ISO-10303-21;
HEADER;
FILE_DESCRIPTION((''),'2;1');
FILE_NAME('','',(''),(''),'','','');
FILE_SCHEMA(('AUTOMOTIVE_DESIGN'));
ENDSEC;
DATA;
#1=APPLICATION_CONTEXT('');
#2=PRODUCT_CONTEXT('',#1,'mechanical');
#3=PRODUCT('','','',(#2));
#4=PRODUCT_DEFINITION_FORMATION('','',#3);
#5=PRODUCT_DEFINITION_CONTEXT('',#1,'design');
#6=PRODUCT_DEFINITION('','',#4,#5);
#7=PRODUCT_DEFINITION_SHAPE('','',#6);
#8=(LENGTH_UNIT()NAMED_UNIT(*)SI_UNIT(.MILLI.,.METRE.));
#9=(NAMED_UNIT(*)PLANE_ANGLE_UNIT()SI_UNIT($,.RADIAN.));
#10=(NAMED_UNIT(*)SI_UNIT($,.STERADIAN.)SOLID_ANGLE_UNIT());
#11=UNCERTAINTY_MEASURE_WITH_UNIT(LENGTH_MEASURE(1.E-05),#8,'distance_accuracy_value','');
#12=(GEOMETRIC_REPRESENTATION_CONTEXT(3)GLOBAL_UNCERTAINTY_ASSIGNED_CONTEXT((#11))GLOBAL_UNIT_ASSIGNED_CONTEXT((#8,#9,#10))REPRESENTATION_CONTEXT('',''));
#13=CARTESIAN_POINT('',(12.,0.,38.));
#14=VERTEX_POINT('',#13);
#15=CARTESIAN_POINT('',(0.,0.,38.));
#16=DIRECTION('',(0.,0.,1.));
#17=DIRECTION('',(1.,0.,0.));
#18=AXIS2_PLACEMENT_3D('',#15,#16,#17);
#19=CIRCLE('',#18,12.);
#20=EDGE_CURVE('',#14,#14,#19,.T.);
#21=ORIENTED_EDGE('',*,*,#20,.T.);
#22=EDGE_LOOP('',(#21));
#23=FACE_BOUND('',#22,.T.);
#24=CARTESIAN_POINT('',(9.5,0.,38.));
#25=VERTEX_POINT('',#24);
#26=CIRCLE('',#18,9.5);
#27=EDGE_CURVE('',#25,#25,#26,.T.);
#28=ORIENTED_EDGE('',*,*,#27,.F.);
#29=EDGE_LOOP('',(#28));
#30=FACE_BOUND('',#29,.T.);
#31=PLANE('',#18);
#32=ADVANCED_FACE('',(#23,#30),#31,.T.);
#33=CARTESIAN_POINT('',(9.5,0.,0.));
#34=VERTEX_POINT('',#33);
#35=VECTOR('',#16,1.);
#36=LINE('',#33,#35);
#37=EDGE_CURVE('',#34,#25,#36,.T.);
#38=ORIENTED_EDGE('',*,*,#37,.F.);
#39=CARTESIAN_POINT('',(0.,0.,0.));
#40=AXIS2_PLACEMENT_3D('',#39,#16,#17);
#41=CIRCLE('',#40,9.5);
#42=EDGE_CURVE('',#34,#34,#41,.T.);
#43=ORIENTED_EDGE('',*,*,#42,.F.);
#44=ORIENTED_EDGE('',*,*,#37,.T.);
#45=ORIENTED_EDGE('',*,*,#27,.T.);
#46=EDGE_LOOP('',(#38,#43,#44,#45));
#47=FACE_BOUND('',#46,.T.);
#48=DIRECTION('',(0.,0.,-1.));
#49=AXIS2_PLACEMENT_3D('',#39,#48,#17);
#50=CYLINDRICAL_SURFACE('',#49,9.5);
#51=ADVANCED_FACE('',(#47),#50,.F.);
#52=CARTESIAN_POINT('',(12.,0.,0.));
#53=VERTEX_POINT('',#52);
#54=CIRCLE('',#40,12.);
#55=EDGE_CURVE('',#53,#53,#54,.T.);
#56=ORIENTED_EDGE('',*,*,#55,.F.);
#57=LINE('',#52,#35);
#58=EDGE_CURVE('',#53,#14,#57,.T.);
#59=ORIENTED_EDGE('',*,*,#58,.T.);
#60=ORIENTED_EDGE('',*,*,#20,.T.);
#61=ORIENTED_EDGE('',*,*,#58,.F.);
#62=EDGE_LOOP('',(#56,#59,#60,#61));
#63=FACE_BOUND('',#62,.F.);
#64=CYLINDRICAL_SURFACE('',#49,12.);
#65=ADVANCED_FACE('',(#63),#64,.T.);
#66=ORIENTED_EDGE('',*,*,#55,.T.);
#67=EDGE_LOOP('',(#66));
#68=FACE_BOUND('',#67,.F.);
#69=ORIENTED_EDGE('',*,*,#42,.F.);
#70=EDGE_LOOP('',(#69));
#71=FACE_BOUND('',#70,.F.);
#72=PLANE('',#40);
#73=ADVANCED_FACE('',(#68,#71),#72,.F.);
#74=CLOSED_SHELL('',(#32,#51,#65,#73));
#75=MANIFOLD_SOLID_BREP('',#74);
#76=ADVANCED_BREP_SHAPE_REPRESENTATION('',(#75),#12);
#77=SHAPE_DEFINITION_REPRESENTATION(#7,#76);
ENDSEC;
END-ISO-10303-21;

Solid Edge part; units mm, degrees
sketch "Sketch1" plane through (0, 0, 0) normal (0, 0, 1) x (1, 0, 0)
  circle A0 centre (0, 0) radius 9.5
  circle A1 centre (0, 0) radius 12
  dimension "D1" = 24
  dimension "D2" = 19
extrude "Protrusion1" add sketch "Sketch1" along normal blind 38
properties material "ABS Plastic, high impact"
